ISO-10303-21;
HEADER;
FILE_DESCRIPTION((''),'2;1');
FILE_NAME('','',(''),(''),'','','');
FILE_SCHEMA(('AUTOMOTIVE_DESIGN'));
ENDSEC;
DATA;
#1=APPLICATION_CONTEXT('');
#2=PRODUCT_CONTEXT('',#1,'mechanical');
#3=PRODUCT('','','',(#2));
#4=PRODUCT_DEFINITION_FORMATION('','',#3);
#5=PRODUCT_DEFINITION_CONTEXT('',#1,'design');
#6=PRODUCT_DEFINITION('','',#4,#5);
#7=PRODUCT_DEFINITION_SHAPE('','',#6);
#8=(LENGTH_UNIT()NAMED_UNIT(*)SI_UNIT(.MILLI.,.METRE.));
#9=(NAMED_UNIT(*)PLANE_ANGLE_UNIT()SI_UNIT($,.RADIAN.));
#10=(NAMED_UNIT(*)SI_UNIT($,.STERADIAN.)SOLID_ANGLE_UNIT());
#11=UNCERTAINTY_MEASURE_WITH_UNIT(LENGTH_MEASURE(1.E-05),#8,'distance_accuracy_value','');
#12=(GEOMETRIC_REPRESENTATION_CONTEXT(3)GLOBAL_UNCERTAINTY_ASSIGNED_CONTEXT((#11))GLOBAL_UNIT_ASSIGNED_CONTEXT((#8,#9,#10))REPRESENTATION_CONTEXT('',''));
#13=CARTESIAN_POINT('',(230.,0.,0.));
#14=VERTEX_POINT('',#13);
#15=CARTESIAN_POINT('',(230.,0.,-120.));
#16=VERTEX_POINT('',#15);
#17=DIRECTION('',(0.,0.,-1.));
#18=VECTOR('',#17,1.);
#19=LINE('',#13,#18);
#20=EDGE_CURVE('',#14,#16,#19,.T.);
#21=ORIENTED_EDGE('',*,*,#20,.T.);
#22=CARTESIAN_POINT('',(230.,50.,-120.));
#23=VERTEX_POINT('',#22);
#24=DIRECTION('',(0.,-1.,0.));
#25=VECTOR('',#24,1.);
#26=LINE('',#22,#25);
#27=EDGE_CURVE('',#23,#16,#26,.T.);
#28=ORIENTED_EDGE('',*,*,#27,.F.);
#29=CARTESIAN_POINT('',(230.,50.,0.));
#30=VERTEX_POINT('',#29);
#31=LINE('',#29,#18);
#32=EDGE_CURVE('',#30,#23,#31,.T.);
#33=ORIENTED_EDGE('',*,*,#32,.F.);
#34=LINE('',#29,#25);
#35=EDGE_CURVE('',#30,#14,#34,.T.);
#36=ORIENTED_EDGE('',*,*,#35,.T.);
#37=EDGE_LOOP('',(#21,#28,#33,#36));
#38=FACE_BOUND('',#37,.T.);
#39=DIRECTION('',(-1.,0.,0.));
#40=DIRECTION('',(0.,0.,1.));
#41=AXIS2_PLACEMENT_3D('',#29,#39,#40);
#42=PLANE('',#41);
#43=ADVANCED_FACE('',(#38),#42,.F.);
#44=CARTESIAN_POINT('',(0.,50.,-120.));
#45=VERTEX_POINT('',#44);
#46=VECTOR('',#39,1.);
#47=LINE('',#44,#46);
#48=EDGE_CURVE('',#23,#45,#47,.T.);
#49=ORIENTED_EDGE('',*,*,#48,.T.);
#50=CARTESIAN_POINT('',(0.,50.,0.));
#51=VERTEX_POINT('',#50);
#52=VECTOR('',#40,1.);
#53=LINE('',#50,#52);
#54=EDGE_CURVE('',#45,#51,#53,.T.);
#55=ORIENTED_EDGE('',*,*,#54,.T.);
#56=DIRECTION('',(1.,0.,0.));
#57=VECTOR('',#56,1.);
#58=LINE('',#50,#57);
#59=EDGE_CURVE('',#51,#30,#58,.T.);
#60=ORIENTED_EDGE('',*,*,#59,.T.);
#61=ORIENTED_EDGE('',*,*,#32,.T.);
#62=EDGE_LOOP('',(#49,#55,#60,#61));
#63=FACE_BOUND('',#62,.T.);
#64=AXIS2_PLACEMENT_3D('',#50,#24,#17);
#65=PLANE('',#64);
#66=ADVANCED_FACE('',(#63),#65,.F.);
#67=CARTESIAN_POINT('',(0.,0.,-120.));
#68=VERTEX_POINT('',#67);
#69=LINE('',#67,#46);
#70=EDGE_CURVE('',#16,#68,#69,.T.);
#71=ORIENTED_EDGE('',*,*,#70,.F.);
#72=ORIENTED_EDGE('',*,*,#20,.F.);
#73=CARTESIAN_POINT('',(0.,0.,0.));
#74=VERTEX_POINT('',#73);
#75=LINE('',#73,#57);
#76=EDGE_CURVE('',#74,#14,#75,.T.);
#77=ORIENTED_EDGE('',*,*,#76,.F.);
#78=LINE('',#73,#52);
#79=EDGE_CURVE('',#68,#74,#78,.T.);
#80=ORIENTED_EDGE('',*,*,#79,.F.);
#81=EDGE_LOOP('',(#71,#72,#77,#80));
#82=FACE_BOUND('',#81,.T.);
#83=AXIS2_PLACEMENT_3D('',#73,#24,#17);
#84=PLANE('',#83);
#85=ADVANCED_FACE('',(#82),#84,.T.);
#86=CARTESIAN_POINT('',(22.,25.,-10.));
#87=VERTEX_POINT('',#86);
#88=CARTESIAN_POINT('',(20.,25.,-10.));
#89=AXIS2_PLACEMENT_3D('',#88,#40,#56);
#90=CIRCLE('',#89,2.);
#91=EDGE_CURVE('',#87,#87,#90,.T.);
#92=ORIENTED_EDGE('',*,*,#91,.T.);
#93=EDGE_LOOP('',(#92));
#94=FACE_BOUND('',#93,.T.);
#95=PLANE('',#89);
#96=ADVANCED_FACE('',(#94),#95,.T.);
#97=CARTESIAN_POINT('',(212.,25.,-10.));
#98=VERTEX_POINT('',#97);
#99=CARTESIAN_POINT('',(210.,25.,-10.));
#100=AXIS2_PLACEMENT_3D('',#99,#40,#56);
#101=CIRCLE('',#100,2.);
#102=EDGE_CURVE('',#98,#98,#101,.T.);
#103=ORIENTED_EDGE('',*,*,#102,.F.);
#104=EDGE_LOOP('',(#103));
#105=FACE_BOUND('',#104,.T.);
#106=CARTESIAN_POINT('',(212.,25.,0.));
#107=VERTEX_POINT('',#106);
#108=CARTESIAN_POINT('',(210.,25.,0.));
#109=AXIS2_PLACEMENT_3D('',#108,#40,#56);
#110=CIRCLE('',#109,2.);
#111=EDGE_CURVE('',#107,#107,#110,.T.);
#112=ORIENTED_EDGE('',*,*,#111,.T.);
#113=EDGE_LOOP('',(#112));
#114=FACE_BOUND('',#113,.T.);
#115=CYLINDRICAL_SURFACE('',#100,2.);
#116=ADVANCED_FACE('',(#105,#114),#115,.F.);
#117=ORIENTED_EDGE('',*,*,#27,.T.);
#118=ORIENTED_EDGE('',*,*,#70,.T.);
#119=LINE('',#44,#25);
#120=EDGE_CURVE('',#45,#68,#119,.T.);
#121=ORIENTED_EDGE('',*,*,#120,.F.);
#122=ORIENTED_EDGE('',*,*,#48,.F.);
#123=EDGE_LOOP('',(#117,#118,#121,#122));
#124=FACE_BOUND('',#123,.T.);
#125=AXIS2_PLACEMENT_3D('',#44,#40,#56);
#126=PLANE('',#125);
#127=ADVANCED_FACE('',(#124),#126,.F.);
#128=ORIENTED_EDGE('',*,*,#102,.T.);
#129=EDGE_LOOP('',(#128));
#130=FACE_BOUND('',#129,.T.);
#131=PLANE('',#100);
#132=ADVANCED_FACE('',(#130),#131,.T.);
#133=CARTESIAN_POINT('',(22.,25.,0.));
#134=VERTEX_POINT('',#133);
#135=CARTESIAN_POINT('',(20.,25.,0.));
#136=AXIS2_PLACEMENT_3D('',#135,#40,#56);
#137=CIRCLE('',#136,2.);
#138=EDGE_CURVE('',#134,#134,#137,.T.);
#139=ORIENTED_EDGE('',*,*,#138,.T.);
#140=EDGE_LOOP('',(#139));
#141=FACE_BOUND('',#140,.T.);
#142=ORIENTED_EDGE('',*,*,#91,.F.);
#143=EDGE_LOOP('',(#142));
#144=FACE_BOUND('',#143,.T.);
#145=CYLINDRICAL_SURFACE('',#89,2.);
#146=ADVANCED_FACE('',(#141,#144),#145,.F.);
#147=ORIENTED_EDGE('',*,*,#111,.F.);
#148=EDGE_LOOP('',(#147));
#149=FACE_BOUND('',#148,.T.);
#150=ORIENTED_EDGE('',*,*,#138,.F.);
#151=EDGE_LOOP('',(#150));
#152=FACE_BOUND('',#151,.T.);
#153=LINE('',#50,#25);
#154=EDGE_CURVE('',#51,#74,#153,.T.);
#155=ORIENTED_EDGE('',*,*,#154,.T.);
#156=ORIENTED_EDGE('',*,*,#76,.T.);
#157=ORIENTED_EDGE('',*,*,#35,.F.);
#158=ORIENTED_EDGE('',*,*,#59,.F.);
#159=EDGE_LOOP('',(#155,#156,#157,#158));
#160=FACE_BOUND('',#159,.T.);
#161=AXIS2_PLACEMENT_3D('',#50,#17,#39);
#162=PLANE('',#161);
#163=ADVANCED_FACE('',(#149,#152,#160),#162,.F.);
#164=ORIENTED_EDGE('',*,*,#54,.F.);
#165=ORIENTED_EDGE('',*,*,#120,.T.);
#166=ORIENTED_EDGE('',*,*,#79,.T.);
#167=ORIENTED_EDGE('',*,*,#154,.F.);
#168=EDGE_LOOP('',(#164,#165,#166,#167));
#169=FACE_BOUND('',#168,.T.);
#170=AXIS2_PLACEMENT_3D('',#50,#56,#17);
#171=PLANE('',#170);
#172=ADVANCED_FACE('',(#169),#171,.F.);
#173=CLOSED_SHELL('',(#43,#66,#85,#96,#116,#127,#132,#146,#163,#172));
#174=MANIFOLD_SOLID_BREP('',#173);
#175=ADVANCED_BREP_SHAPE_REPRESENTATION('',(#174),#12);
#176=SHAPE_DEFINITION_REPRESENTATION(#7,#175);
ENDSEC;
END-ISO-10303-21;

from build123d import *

# Parameters (mm, degrees)
SKETCH1_W           = 230
SKETCH1_H           = 120
BOSS_EXTRUDE1_DEPTH = 50
SKETCH2_R           = 2
CUT_EXTRUDE1_DEPTH  = 10


with BuildPart() as part:
    # Sketch1 → Boss-Extrude1 (new body)
    with BuildSketch(Plane(origin=(0, 0, 0), x_dir=(1, 0, 0), z_dir=(0, 1, 0))):
        with Locations((115, 60)):
            Rectangle(SKETCH1_W, SKETCH1_H)
    extrude(amount=BOSS_EXTRUDE1_DEPTH)

    # Sketch2 → Cut-Extrude1 (cut)
    with BuildSketch(Plane.XY):
        with Locations((20, 25)):
            Circle(SKETCH2_R)
        with Locations((210, 25)):
            Circle(SKETCH2_R)
    extrude(amount=-CUT_EXTRUDE1_DEPTH, mode=Mode.SUBTRACT)


solid = part.part
